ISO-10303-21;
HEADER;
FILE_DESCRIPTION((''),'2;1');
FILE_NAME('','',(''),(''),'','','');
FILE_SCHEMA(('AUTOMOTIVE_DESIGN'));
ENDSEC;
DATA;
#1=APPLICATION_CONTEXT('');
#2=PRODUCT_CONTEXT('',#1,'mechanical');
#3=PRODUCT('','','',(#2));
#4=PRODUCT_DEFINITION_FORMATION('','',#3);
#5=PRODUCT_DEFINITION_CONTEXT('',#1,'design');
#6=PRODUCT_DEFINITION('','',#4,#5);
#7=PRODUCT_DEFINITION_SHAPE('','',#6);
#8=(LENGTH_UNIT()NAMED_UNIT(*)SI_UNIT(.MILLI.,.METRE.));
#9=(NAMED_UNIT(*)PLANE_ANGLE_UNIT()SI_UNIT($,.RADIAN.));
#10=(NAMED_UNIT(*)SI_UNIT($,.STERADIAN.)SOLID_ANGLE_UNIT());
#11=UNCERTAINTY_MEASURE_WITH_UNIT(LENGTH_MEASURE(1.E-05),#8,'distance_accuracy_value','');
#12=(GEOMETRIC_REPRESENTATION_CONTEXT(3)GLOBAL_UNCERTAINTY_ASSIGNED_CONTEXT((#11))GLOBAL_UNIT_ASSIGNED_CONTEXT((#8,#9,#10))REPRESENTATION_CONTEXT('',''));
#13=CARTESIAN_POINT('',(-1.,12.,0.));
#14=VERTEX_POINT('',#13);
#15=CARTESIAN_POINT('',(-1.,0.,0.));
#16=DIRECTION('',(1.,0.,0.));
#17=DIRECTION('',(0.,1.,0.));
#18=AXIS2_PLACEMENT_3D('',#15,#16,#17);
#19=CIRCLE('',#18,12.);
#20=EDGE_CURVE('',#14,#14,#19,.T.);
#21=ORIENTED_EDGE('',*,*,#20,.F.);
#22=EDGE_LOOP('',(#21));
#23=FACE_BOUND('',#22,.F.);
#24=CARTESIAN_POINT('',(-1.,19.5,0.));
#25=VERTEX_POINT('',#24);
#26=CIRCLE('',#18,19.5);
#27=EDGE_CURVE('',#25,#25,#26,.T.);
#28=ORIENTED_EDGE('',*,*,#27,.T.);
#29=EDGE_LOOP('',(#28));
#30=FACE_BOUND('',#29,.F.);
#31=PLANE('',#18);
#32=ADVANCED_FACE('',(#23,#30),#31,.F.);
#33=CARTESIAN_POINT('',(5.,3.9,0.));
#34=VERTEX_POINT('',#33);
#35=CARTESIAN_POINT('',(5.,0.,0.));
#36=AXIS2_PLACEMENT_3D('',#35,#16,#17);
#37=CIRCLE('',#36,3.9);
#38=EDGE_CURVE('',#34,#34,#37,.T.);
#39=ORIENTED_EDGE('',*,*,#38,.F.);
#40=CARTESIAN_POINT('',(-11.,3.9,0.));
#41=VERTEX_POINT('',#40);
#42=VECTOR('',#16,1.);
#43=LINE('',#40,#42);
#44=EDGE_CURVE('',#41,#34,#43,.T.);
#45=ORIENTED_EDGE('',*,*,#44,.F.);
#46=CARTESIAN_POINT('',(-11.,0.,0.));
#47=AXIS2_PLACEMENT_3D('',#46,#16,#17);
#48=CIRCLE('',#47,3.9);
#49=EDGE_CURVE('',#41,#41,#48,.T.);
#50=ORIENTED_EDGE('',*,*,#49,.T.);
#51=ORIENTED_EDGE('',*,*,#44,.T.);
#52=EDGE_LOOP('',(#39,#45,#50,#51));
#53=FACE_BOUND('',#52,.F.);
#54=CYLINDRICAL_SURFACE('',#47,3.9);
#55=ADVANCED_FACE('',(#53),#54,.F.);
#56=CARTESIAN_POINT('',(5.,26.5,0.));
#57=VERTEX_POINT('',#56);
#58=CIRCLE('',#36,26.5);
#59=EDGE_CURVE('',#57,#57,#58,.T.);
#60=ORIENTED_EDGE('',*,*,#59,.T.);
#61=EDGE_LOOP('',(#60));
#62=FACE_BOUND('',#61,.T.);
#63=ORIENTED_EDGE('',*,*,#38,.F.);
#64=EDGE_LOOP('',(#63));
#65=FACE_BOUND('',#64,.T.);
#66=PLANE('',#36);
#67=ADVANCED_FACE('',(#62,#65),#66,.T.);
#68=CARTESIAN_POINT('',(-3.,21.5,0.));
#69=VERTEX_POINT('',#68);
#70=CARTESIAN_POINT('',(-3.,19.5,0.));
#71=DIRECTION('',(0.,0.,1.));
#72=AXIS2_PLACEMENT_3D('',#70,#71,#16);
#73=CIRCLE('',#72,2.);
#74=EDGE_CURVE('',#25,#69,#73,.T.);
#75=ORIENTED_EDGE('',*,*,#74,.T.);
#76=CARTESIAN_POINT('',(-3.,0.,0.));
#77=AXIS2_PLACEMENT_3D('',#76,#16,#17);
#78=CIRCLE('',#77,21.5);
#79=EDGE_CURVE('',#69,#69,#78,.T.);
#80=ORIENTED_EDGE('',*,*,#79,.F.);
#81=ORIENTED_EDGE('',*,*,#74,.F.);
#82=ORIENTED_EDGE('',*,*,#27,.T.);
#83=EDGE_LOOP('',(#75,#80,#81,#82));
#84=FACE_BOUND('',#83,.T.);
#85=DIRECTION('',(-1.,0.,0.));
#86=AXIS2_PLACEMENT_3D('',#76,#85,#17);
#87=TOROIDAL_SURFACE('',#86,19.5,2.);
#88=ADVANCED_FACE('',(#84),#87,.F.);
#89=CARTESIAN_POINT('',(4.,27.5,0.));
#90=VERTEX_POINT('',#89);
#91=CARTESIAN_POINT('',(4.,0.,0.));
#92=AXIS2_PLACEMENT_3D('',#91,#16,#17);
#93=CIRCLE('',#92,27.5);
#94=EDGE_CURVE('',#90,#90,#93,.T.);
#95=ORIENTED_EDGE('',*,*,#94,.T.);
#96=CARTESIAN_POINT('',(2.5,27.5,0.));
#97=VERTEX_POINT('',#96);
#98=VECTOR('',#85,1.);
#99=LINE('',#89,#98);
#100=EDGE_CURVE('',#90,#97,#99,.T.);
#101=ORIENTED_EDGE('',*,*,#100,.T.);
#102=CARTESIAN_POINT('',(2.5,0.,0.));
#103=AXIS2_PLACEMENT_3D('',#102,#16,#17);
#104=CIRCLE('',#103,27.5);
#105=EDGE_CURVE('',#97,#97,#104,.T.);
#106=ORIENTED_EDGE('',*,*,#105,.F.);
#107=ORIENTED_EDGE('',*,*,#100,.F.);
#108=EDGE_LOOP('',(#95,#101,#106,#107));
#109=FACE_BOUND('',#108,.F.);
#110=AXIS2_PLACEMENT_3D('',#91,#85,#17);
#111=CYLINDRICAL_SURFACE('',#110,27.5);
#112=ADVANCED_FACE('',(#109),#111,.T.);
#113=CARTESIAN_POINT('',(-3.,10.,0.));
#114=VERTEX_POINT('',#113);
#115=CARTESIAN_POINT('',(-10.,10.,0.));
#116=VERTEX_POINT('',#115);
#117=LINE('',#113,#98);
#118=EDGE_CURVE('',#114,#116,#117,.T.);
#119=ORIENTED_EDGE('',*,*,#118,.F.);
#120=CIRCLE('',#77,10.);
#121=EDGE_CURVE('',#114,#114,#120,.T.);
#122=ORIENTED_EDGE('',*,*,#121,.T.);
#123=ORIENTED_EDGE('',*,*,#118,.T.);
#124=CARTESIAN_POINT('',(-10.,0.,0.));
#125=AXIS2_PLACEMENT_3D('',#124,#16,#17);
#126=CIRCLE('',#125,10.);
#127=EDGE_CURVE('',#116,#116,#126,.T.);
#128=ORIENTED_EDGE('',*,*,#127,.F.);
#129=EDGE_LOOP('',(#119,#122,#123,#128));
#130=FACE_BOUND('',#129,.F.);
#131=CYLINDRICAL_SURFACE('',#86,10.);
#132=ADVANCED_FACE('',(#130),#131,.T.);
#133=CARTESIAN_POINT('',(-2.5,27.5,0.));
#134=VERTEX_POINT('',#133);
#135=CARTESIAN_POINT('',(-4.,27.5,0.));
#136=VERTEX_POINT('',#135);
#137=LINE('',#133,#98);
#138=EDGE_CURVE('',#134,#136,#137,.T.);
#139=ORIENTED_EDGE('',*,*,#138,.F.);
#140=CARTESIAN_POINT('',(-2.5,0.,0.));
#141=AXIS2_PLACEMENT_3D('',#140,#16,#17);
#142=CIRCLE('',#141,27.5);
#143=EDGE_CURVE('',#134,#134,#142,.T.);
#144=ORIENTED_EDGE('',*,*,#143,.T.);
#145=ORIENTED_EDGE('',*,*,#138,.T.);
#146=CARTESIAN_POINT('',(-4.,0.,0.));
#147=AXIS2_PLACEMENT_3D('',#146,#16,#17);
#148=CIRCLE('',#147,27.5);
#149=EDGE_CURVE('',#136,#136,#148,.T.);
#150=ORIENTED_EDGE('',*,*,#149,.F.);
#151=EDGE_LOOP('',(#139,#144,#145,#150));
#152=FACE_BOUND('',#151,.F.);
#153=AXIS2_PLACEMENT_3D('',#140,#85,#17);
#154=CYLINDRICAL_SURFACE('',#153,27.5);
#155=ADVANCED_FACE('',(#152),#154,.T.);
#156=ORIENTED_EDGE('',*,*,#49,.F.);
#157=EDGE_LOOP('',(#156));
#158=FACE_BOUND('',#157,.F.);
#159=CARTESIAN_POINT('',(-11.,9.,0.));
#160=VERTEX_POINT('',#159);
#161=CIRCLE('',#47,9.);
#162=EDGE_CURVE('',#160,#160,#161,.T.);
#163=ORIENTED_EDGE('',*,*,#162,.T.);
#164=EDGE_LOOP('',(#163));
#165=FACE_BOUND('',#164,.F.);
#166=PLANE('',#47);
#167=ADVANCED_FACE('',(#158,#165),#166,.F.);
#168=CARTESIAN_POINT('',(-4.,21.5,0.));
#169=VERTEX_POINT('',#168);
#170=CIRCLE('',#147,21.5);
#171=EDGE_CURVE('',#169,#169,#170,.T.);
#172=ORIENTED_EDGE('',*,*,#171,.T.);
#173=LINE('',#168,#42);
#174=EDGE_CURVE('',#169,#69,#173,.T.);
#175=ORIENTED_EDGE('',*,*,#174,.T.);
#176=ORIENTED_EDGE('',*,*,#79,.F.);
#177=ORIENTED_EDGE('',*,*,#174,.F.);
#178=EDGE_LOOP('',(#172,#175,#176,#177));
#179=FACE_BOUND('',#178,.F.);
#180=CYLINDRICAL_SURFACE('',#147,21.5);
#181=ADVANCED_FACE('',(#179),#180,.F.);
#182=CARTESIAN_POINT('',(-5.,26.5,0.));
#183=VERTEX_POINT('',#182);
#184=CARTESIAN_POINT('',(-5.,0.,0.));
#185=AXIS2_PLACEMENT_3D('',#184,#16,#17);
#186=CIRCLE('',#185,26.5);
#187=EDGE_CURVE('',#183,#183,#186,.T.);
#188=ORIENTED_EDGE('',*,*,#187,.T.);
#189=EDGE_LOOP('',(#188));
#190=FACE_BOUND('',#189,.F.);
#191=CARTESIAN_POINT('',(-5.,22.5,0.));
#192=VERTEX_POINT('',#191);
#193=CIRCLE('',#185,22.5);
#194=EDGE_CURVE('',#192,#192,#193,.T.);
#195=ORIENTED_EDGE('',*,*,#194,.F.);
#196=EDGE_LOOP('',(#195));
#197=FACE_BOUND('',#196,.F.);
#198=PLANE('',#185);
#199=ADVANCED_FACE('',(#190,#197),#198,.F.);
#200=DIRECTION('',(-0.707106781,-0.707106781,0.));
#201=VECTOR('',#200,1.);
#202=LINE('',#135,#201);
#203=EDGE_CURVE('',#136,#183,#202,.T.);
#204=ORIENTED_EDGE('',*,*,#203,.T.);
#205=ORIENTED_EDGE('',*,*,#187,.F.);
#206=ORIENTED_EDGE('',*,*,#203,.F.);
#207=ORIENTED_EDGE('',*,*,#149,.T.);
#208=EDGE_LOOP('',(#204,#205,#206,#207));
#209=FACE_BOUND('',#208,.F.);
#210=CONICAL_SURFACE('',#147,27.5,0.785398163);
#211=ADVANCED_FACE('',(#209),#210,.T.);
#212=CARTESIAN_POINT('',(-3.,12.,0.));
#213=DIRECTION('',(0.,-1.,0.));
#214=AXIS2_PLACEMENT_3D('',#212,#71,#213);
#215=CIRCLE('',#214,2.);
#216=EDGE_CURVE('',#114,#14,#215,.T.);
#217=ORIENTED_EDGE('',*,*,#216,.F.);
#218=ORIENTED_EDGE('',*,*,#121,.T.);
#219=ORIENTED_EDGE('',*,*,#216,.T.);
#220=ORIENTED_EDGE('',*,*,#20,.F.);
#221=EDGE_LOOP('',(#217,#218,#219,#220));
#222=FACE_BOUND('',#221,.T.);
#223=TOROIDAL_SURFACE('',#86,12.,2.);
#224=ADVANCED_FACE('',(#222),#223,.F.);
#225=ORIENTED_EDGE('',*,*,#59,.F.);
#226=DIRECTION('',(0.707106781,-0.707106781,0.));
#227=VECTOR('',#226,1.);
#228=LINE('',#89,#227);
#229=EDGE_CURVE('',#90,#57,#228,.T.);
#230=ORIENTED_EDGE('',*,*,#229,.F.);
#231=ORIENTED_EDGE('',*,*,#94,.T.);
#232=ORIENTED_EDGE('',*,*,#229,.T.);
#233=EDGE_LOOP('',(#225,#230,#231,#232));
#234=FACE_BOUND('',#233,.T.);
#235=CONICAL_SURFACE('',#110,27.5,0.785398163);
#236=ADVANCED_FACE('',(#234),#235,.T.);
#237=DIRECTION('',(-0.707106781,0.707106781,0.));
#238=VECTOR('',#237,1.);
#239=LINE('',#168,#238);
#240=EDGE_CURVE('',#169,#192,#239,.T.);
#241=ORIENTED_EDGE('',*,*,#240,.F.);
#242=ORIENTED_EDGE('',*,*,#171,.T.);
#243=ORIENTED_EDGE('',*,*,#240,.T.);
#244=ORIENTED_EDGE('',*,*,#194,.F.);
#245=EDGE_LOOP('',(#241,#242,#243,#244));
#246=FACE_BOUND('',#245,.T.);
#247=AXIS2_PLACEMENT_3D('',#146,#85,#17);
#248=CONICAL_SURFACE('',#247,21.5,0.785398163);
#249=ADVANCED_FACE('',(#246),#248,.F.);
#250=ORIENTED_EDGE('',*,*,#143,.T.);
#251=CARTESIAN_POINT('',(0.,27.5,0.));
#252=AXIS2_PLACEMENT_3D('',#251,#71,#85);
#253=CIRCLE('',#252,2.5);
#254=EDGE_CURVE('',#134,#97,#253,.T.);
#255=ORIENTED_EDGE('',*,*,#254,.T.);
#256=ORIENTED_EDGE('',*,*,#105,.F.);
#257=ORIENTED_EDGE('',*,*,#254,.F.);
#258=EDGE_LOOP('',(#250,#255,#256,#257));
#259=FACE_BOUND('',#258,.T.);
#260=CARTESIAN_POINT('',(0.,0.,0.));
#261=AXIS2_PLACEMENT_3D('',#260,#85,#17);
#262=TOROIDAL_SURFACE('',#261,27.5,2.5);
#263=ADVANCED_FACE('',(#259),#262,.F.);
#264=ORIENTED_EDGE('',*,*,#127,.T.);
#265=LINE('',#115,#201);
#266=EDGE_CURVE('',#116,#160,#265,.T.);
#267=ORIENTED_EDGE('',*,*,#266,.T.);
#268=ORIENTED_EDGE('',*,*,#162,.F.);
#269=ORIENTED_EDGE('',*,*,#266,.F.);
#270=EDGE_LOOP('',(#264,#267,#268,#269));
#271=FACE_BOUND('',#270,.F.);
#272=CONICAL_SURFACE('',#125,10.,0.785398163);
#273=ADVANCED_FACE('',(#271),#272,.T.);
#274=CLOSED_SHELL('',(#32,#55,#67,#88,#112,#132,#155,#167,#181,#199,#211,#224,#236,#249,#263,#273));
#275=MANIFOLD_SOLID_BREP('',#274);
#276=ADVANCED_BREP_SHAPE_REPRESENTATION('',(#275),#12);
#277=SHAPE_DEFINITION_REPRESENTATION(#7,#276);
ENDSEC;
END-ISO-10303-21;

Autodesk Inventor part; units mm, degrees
ref_plane "YZ Plane" through (0, 0, 0) normal (1, 0, 0) x (0, 1, 0)
ref_plane "XZ Plane" through (0, 0, 0) normal (0, 1, 0) x (-1, 0, 0)
ref_plane "XY Plane" through (0, 0, 0) normal (0, 0, 1) x (1, 0, 0)
sketch "Skizze1" plane through (0, 0, 0) normal (0, 0, 1) x (1, 0, 0)
  line L0 (-65.6518, 0) -> (54.2706, 0)
  line L1 (-11, 3.9) -> (5, 3.9)
  line L2 (4, 27.5) -> (2.5, 27.5)
  line L3 (-2.5, 27.5) -> (-4, 27.5)
  line L4 (-5, 26.5) -> (-5, 22.5)
  line L5 (-4, 21.5) -> (-3, 21.5)
  line L6 (-1, 19.5) -> (-1, 12)
  line L7 (-3, 10) -> (-10, 10)
  line L8 (-11, 9) -> (-11, 3.9)
  arc A0 (-2.5, 27.5) -> (2.5, 27.5) centre (0, 27.5) ccw
  line L9 (-4, 27.5) -> (-5, 26.5)
  line L10 (4, 27.5) -> (5, 26.5)
  line L11 (-4, 21.5) -> (-5, 22.5)
  arc A1 (-1, 19.5) -> (-3, 21.5) centre (-3, 19.5) ccw
  arc A2 (-3, 10) -> (-1, 12) centre (-3, 12) ccw
  line L12 (-10, 10) -> (-11, 9)
  line L13 (5, 26.5) -> (5, 3.9)
  line L14 (0, 27.5) -> (0, 0) construction
  point P0 (5, 27.5)
  point P1 (-5, 27.5)
  point P2 (-5, 21.5)
  point P3 (-11, 10)
  dimension "d0" = 5
  dimension "d1" = 55
  dimension "d2" = 7.8
  dimension "d3" = 20
  dimension "d6" = 6
  dimension "d8" = 1
  dimension "d9" = 1
  dimension "d10" = 1
  dimension "d11" = 1
  dimension "d12" = 1
  dimension "d13" = 1
  dimension "d14" = 2
  dimension "d15" = 1
  dimension "d16" = 1
  dimension "d19" = 6
  dimension "d20" = 10
  dimension "d21" = 6
revolve "Umdrehung1" add sketch "Skizze1" angle 360 about axis through (-65.6518, 0, 0) along (1, 0, 0)
equation "\"d9\" = d8"
equation "\"d10\" = d8"
equation "\"d11\" = d10"
equation "\"d13\" = d12"
equation "\"d16\" = d15"
properties part number "measuring_wheel_V1" material "ABS-Kunststoff"
